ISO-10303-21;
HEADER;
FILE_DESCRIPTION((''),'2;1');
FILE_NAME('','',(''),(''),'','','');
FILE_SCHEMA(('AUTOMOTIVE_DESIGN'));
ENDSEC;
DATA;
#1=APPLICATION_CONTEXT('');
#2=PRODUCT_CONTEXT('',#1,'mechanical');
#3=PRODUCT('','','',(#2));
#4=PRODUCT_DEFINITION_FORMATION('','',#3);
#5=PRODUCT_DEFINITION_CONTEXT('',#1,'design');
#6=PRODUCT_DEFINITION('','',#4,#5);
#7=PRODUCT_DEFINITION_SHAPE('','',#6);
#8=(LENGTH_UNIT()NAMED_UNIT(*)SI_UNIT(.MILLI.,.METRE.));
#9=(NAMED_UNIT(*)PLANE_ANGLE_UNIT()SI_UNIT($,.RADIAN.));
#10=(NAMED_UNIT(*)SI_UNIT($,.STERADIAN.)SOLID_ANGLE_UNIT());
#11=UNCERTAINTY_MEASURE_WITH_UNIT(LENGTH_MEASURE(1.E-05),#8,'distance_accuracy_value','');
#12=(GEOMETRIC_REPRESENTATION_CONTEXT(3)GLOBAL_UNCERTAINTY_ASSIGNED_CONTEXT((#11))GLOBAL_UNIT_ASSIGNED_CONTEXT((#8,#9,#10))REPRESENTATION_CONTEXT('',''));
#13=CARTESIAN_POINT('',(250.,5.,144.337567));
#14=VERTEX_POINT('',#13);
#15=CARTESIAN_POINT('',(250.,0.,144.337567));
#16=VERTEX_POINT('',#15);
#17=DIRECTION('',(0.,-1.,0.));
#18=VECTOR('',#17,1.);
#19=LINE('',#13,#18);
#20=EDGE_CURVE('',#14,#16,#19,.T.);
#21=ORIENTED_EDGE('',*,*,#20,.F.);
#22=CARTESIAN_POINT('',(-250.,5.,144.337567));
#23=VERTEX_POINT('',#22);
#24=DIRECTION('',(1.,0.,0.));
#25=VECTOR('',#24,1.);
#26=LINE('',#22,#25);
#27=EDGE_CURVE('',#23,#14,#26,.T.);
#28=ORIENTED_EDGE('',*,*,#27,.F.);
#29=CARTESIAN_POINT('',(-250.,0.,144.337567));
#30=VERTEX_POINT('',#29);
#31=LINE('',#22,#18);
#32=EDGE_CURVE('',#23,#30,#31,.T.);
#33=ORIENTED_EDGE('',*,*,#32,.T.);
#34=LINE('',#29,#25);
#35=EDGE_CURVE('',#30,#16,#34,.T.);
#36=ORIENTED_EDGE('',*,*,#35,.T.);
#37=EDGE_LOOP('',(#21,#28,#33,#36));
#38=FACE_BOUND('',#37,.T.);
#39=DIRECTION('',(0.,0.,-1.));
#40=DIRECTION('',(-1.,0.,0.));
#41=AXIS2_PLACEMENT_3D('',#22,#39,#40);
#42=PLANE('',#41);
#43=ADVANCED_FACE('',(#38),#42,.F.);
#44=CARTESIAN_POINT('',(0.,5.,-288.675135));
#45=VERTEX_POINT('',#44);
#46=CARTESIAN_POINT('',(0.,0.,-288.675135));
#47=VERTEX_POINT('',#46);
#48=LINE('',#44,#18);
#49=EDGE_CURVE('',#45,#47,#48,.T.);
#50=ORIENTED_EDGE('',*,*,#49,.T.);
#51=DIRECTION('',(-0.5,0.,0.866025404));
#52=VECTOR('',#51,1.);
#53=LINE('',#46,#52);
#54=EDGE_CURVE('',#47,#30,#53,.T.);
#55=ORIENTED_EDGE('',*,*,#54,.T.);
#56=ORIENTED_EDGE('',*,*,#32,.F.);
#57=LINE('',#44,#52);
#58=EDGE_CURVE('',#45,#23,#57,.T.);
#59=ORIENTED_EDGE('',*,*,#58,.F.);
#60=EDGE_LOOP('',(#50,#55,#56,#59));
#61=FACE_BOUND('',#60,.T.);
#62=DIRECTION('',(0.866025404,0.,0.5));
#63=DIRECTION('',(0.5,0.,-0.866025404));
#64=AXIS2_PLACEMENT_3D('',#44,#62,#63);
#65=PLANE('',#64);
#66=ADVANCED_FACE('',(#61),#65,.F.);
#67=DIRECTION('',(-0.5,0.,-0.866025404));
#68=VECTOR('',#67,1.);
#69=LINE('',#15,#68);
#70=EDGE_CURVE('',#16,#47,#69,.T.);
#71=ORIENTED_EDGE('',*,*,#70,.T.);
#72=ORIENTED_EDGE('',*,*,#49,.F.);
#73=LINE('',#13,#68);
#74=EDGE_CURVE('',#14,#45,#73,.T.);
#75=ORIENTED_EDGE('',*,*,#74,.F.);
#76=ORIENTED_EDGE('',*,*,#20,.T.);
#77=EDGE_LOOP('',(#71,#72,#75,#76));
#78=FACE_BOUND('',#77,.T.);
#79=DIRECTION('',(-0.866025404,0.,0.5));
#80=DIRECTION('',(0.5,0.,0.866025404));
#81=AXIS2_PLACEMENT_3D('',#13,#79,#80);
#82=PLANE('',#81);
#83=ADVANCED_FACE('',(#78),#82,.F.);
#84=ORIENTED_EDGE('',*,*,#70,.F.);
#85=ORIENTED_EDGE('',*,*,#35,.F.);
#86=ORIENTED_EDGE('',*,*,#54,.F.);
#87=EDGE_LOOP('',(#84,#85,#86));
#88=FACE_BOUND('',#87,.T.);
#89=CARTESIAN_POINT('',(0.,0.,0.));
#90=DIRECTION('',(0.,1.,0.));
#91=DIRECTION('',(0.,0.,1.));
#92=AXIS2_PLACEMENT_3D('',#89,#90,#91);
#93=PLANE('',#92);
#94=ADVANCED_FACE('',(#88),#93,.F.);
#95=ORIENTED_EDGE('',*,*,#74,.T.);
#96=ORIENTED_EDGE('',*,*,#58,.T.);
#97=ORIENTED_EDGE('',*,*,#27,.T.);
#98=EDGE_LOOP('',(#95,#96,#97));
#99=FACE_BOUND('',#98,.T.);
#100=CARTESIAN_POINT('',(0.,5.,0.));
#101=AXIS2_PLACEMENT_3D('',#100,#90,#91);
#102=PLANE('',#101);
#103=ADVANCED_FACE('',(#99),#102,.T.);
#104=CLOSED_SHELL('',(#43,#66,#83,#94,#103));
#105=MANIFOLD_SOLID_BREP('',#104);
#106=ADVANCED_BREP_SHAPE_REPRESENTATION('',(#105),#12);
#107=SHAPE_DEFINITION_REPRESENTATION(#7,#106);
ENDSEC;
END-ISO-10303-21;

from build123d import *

# Parameters (mm, degrees)
BOSS_EXTRUDE1_DEPTH = 5


with BuildPart() as part:
    # Sketch1 → Boss-Extrude1 (new body)
    with BuildSketch(Plane(origin=(0, 0, 0), x_dir=(1, 0, 0), z_dir=(0, 1, 0))):
        Polygon((250, -144.337567297), (0, 288.675134595), (-250, -144.337567297), align=None)
    extrude(amount=BOSS_EXTRUDE1_DEPTH)


solid = part.part
